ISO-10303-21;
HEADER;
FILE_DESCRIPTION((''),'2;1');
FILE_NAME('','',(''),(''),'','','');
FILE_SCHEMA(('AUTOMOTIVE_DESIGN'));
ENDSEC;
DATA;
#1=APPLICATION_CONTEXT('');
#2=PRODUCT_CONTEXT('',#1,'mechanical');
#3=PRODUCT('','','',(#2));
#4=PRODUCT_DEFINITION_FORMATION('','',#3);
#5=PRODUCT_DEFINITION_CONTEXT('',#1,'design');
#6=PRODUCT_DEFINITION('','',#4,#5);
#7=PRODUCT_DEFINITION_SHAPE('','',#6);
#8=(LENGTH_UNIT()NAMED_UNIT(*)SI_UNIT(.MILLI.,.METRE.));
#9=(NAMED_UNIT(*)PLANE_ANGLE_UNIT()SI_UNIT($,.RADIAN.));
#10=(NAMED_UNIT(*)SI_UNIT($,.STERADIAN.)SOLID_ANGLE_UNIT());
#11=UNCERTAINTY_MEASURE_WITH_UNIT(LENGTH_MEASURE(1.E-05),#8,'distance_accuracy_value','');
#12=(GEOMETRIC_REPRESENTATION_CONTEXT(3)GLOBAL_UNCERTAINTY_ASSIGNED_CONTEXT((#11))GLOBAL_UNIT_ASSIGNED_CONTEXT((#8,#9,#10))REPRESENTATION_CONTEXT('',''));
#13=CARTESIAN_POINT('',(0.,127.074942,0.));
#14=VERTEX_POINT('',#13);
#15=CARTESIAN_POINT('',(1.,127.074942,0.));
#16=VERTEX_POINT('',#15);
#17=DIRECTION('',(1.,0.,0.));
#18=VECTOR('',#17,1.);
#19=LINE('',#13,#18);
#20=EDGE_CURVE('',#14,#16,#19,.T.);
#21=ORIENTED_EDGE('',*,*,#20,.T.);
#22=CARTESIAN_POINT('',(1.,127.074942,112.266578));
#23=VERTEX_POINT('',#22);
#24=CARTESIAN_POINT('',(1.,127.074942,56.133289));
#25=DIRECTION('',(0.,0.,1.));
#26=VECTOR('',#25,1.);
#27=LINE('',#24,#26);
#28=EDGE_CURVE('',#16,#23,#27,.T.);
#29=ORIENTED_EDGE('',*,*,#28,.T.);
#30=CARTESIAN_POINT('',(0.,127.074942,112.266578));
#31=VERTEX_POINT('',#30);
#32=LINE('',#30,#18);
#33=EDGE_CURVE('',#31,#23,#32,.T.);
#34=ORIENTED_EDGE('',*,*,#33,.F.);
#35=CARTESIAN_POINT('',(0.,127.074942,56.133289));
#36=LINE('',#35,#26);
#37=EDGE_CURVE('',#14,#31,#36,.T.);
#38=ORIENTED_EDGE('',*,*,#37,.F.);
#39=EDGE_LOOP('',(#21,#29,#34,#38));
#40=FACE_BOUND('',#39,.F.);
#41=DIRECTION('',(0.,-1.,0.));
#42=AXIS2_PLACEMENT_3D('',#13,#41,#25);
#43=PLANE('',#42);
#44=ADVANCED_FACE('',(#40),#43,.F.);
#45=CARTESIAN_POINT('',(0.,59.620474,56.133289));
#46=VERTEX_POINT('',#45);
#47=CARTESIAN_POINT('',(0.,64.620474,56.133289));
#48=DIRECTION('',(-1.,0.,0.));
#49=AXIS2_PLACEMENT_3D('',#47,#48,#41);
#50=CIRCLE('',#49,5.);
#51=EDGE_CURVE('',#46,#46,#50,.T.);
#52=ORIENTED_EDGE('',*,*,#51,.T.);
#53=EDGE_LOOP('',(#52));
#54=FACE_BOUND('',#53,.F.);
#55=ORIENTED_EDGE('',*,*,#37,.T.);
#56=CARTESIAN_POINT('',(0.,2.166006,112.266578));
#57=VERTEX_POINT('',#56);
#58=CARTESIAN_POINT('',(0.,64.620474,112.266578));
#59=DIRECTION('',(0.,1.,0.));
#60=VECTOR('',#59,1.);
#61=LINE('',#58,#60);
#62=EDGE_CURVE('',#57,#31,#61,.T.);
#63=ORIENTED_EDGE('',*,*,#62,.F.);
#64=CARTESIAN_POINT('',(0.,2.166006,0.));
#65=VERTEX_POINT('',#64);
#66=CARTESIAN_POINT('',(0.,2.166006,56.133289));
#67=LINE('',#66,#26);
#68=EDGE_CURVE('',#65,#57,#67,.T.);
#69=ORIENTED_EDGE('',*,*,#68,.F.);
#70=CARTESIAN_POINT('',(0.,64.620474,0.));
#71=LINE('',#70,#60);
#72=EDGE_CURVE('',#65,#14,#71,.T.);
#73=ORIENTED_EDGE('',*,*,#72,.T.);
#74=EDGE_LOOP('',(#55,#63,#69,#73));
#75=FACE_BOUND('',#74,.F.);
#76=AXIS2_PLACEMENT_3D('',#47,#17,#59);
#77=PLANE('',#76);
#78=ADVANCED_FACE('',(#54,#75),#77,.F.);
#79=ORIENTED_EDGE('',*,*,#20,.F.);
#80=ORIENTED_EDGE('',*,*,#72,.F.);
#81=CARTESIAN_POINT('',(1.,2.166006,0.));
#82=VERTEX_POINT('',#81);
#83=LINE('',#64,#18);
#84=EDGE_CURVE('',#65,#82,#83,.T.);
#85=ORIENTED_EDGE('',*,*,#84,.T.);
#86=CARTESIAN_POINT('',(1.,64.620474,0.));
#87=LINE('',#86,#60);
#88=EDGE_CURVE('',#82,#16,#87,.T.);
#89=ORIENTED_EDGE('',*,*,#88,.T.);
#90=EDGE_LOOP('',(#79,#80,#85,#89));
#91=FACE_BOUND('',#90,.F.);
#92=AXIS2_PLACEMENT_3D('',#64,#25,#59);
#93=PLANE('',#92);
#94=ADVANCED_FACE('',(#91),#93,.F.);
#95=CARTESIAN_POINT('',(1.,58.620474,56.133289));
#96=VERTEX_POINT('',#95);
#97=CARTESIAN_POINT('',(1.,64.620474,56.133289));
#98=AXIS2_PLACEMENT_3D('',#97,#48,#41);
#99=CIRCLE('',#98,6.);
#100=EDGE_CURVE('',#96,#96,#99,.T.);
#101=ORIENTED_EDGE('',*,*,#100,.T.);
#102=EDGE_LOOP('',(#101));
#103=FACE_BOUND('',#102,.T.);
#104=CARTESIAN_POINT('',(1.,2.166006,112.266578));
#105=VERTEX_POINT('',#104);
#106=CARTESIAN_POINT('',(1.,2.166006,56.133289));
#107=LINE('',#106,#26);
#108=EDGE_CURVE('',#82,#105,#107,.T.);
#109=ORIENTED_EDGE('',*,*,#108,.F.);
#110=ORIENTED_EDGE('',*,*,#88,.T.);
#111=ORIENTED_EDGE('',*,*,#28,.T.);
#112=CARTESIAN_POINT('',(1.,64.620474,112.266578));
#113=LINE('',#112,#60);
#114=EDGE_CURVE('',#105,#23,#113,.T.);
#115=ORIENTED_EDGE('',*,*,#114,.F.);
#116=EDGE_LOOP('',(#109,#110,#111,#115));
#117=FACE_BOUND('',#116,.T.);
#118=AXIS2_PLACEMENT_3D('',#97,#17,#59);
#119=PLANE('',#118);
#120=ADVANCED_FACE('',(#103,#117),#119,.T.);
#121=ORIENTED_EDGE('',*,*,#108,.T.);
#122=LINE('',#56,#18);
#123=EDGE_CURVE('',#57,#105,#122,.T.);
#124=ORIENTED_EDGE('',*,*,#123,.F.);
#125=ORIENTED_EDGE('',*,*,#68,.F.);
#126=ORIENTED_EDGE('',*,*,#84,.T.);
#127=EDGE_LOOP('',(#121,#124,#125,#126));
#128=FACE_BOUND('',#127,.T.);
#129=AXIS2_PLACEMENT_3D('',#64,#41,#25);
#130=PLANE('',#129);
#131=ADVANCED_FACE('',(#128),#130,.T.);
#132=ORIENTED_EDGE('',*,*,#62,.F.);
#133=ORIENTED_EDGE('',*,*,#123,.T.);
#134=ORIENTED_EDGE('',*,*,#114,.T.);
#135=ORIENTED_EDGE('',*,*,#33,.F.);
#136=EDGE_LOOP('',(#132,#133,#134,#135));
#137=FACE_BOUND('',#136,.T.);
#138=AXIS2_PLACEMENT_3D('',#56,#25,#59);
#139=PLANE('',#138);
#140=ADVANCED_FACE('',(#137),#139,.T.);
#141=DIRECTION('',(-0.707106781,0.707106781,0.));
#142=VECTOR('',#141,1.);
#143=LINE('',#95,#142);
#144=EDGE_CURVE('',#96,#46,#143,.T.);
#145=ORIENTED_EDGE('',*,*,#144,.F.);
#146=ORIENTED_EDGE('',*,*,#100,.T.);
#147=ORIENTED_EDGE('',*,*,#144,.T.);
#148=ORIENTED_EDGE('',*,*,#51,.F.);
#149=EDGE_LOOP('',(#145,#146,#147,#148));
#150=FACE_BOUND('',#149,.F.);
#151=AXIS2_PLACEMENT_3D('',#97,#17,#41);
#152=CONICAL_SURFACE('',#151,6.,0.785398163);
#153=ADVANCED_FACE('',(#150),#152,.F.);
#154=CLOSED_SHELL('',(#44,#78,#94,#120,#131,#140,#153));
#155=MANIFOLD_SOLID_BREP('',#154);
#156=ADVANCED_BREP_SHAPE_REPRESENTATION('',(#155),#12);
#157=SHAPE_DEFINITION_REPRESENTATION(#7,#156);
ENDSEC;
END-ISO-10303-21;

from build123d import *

# Parameters (mm, degrees)
F0_W           = 124.908936
F0_H           = 112.266578
F1_DEPTH       = 1
F3_D           = 6
F3_CSINK_D     = 12
F3_CSINK_ANGLE = 90


with BuildPart() as f1:
    # F0 (on Right) → F1 (new body)
    with BuildSketch(Plane.YZ):
        with Locations((64.620474, 56.133289)):
            Rectangle(F0_W, F0_H)
    extrude(amount=F1_DEPTH)

    # F3 (through all)
    with Locations(Plane.YZ.offset(1)):
        with Locations((64.620474, 56.133289)):
            CounterSinkHole(F3_D / 2, F3_CSINK_D / 2, counter_sink_angle=F3_CSINK_ANGLE)


solid = f1.part
